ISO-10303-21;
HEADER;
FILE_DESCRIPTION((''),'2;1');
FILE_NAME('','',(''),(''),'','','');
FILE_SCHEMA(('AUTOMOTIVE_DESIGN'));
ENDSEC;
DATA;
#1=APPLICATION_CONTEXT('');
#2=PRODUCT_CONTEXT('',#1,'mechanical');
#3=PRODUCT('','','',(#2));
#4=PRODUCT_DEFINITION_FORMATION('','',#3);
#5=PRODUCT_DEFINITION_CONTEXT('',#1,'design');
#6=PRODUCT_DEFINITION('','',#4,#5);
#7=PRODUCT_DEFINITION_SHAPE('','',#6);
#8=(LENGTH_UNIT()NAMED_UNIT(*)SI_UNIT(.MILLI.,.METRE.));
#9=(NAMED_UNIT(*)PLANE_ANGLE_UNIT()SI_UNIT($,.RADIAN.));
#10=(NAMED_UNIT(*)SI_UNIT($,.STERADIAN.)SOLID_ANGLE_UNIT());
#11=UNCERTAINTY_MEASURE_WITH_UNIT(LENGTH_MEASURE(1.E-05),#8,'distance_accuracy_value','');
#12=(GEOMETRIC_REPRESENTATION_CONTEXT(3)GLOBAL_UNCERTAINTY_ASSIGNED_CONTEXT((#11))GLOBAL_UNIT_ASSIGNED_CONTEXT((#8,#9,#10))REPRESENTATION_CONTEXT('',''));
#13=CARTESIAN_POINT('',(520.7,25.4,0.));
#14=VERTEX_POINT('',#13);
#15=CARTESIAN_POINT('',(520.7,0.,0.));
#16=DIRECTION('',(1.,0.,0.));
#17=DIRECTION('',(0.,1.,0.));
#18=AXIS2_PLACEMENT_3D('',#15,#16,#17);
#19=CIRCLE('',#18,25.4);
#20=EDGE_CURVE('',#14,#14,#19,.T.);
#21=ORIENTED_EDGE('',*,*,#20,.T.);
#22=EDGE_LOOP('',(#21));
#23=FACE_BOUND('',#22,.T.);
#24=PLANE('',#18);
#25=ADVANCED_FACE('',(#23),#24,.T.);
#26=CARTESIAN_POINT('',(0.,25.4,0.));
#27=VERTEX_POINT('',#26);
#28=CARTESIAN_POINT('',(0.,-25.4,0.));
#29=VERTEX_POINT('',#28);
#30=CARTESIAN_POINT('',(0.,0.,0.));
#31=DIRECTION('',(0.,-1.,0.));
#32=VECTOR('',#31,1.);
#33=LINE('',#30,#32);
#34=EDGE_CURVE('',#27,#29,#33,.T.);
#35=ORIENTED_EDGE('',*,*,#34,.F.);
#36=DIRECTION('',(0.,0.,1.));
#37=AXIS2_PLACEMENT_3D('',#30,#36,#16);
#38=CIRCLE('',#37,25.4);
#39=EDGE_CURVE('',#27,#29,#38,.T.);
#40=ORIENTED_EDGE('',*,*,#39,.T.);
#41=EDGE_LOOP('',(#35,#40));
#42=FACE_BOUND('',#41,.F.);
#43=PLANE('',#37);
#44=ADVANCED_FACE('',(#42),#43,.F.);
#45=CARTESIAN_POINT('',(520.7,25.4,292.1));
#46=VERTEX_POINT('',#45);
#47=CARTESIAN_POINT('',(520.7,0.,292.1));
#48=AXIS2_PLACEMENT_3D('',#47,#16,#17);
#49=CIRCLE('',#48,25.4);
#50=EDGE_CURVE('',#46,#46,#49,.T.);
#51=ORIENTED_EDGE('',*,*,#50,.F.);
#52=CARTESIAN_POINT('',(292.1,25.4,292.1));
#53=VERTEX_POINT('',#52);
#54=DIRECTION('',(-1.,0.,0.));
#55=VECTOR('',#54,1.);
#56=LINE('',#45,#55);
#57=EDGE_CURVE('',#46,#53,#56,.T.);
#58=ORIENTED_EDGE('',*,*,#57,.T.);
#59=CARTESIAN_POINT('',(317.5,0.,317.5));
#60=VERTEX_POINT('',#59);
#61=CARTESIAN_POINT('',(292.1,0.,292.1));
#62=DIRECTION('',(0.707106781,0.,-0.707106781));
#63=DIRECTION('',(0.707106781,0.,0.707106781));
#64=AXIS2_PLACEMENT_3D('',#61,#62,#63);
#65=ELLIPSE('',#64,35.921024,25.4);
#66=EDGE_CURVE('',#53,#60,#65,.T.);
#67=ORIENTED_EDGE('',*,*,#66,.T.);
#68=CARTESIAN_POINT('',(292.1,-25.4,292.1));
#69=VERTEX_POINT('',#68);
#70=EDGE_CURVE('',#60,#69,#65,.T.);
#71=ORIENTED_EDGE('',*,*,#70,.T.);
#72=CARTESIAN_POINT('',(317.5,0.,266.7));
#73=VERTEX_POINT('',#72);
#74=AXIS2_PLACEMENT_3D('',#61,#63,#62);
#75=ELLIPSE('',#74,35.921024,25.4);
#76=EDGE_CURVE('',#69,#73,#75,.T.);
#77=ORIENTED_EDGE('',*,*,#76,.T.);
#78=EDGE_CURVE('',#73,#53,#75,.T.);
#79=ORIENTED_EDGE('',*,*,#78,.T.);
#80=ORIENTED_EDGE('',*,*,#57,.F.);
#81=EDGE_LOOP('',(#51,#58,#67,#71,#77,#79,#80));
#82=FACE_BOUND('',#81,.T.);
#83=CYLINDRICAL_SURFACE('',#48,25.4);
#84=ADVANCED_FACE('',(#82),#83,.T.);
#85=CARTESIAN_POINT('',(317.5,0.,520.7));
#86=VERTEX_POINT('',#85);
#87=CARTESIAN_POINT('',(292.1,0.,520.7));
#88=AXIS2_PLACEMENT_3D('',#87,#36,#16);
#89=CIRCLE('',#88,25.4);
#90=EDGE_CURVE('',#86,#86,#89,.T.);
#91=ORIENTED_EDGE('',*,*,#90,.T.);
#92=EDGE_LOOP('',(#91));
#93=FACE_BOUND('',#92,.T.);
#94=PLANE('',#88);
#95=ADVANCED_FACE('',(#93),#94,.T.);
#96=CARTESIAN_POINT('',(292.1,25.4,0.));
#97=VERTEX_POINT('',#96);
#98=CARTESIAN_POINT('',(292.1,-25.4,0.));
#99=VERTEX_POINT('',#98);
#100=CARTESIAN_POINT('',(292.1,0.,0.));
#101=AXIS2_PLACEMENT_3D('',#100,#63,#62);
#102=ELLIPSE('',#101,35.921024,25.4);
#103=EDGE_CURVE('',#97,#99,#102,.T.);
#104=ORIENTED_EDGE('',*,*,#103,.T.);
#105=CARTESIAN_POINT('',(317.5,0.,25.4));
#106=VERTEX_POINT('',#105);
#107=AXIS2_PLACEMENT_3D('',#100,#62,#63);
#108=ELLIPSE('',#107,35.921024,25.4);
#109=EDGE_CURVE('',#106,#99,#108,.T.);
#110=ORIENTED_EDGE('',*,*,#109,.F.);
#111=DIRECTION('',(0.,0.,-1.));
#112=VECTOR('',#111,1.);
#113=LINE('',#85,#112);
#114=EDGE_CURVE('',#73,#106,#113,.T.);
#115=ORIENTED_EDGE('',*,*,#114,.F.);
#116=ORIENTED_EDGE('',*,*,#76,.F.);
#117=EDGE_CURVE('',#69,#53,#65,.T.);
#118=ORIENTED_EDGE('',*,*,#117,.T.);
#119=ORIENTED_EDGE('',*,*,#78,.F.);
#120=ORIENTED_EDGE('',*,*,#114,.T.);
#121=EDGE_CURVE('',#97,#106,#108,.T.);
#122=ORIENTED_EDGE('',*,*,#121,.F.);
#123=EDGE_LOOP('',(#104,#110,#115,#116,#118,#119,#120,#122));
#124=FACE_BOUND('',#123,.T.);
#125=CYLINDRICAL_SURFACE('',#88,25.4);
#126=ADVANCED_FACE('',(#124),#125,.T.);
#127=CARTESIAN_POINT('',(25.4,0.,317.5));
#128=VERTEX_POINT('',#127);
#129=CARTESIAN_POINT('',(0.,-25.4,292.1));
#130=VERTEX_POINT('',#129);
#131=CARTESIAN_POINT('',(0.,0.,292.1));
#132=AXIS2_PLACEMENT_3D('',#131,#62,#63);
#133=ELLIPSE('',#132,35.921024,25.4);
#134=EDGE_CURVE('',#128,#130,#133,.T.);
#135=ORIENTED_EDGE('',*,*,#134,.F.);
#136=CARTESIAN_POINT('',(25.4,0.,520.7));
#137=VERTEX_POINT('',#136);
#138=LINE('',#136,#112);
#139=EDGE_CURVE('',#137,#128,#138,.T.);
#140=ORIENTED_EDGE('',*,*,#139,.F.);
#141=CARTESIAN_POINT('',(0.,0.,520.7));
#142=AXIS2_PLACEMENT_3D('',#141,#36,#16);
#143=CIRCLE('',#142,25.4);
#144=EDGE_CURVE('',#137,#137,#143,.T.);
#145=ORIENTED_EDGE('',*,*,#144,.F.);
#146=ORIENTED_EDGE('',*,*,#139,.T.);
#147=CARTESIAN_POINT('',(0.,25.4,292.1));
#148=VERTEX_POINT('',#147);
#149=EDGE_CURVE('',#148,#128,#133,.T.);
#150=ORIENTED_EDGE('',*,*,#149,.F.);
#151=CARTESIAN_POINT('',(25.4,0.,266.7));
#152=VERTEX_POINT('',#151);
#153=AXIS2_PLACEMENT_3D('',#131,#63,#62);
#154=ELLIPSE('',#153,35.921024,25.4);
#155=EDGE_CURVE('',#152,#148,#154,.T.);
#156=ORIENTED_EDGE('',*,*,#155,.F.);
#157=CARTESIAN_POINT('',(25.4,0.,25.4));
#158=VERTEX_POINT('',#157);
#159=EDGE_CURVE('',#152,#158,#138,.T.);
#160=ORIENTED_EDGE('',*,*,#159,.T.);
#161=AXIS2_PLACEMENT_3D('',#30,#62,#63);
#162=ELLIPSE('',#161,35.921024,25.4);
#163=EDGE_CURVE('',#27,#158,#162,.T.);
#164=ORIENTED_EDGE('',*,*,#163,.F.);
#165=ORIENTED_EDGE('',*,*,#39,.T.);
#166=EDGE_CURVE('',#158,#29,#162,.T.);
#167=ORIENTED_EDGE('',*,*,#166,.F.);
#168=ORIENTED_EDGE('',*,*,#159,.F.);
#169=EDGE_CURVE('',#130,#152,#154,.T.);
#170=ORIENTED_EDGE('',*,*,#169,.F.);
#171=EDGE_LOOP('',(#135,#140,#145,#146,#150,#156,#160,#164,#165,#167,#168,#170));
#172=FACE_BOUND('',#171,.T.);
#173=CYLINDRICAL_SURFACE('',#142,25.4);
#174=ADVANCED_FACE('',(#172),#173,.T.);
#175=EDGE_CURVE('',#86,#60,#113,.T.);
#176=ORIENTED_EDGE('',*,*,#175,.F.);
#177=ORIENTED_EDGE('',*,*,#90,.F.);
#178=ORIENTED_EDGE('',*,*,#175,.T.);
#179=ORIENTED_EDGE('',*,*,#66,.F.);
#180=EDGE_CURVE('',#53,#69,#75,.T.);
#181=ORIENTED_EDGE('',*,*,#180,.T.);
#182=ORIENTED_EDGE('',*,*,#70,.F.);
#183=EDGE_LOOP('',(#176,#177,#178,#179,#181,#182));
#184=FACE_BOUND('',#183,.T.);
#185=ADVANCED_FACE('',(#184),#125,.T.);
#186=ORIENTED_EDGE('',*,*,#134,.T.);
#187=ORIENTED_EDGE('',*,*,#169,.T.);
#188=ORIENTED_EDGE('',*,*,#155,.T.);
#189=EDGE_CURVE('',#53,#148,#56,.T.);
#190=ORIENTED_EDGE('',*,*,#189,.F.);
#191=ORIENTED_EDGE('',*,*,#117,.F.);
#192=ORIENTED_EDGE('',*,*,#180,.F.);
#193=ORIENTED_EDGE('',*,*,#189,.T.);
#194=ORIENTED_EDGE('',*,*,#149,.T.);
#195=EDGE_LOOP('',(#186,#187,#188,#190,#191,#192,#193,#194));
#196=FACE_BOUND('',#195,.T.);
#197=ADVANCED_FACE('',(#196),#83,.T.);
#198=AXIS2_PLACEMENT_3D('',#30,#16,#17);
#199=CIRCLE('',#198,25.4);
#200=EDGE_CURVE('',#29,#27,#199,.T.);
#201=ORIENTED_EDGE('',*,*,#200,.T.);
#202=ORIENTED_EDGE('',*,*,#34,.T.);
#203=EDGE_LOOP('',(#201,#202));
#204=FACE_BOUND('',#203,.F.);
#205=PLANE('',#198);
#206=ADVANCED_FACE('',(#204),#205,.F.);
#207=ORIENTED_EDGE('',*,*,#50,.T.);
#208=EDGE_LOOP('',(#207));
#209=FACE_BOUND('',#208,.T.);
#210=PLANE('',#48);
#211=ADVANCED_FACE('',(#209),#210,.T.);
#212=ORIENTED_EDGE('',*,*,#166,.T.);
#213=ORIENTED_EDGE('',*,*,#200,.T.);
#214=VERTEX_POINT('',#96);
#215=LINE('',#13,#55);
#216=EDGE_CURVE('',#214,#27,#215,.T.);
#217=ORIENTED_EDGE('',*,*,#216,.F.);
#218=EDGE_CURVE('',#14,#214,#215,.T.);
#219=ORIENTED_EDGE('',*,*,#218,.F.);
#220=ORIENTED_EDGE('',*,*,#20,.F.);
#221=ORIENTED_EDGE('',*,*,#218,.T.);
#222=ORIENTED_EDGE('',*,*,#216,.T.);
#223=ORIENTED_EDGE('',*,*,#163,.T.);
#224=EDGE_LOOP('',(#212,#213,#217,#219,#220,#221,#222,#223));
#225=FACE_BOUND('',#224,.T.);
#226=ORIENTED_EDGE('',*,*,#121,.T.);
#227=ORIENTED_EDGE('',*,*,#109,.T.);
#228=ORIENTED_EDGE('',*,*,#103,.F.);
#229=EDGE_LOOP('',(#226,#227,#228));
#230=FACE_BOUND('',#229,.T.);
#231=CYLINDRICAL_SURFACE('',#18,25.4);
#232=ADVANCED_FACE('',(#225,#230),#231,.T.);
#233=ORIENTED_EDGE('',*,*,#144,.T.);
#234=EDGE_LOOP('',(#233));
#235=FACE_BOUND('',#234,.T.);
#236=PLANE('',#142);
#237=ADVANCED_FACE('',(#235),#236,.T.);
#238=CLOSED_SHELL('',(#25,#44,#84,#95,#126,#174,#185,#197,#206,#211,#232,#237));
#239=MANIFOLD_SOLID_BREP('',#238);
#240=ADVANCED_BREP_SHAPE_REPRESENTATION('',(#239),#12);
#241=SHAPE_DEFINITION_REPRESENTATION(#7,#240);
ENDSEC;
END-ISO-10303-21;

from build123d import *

# Parameters (mm, degrees)
F7_R     = 25.4
F8_DEPTH = 520.7
F6_R     = 25.4
F9_DEPTH = 520.7


with BuildPart() as f8:
    # F7 (on offset) → F8 (new body, through all)
    with BuildSketch(Plane.YZ.offset(520.7)):
        Circle(F7_R)
    extrude(amount=-F8_DEPTH)



with BuildPart() as f8b:
    # F7 (on offset) → F8, piece 2 (new body, through all)
    with BuildSketch(Plane.YZ.offset(520.7)):
        with Locations((0, 292.1)):
            Circle(F7_R)
    extrude(amount=-F8_DEPTH)


with BuildPart() as f8_1:
    add(f8.part)

    add(f8b.part)  # F9 merges F8b
    # F6 (on offset) → F9 (join, through all)
    with BuildSketch(Plane.XY.offset(520.7)):
        Circle(F6_R)
        with Locations((292.1, 0)):
            Circle(F6_R)
    extrude(amount=-F9_DEPTH)


solid = f8_1.part
